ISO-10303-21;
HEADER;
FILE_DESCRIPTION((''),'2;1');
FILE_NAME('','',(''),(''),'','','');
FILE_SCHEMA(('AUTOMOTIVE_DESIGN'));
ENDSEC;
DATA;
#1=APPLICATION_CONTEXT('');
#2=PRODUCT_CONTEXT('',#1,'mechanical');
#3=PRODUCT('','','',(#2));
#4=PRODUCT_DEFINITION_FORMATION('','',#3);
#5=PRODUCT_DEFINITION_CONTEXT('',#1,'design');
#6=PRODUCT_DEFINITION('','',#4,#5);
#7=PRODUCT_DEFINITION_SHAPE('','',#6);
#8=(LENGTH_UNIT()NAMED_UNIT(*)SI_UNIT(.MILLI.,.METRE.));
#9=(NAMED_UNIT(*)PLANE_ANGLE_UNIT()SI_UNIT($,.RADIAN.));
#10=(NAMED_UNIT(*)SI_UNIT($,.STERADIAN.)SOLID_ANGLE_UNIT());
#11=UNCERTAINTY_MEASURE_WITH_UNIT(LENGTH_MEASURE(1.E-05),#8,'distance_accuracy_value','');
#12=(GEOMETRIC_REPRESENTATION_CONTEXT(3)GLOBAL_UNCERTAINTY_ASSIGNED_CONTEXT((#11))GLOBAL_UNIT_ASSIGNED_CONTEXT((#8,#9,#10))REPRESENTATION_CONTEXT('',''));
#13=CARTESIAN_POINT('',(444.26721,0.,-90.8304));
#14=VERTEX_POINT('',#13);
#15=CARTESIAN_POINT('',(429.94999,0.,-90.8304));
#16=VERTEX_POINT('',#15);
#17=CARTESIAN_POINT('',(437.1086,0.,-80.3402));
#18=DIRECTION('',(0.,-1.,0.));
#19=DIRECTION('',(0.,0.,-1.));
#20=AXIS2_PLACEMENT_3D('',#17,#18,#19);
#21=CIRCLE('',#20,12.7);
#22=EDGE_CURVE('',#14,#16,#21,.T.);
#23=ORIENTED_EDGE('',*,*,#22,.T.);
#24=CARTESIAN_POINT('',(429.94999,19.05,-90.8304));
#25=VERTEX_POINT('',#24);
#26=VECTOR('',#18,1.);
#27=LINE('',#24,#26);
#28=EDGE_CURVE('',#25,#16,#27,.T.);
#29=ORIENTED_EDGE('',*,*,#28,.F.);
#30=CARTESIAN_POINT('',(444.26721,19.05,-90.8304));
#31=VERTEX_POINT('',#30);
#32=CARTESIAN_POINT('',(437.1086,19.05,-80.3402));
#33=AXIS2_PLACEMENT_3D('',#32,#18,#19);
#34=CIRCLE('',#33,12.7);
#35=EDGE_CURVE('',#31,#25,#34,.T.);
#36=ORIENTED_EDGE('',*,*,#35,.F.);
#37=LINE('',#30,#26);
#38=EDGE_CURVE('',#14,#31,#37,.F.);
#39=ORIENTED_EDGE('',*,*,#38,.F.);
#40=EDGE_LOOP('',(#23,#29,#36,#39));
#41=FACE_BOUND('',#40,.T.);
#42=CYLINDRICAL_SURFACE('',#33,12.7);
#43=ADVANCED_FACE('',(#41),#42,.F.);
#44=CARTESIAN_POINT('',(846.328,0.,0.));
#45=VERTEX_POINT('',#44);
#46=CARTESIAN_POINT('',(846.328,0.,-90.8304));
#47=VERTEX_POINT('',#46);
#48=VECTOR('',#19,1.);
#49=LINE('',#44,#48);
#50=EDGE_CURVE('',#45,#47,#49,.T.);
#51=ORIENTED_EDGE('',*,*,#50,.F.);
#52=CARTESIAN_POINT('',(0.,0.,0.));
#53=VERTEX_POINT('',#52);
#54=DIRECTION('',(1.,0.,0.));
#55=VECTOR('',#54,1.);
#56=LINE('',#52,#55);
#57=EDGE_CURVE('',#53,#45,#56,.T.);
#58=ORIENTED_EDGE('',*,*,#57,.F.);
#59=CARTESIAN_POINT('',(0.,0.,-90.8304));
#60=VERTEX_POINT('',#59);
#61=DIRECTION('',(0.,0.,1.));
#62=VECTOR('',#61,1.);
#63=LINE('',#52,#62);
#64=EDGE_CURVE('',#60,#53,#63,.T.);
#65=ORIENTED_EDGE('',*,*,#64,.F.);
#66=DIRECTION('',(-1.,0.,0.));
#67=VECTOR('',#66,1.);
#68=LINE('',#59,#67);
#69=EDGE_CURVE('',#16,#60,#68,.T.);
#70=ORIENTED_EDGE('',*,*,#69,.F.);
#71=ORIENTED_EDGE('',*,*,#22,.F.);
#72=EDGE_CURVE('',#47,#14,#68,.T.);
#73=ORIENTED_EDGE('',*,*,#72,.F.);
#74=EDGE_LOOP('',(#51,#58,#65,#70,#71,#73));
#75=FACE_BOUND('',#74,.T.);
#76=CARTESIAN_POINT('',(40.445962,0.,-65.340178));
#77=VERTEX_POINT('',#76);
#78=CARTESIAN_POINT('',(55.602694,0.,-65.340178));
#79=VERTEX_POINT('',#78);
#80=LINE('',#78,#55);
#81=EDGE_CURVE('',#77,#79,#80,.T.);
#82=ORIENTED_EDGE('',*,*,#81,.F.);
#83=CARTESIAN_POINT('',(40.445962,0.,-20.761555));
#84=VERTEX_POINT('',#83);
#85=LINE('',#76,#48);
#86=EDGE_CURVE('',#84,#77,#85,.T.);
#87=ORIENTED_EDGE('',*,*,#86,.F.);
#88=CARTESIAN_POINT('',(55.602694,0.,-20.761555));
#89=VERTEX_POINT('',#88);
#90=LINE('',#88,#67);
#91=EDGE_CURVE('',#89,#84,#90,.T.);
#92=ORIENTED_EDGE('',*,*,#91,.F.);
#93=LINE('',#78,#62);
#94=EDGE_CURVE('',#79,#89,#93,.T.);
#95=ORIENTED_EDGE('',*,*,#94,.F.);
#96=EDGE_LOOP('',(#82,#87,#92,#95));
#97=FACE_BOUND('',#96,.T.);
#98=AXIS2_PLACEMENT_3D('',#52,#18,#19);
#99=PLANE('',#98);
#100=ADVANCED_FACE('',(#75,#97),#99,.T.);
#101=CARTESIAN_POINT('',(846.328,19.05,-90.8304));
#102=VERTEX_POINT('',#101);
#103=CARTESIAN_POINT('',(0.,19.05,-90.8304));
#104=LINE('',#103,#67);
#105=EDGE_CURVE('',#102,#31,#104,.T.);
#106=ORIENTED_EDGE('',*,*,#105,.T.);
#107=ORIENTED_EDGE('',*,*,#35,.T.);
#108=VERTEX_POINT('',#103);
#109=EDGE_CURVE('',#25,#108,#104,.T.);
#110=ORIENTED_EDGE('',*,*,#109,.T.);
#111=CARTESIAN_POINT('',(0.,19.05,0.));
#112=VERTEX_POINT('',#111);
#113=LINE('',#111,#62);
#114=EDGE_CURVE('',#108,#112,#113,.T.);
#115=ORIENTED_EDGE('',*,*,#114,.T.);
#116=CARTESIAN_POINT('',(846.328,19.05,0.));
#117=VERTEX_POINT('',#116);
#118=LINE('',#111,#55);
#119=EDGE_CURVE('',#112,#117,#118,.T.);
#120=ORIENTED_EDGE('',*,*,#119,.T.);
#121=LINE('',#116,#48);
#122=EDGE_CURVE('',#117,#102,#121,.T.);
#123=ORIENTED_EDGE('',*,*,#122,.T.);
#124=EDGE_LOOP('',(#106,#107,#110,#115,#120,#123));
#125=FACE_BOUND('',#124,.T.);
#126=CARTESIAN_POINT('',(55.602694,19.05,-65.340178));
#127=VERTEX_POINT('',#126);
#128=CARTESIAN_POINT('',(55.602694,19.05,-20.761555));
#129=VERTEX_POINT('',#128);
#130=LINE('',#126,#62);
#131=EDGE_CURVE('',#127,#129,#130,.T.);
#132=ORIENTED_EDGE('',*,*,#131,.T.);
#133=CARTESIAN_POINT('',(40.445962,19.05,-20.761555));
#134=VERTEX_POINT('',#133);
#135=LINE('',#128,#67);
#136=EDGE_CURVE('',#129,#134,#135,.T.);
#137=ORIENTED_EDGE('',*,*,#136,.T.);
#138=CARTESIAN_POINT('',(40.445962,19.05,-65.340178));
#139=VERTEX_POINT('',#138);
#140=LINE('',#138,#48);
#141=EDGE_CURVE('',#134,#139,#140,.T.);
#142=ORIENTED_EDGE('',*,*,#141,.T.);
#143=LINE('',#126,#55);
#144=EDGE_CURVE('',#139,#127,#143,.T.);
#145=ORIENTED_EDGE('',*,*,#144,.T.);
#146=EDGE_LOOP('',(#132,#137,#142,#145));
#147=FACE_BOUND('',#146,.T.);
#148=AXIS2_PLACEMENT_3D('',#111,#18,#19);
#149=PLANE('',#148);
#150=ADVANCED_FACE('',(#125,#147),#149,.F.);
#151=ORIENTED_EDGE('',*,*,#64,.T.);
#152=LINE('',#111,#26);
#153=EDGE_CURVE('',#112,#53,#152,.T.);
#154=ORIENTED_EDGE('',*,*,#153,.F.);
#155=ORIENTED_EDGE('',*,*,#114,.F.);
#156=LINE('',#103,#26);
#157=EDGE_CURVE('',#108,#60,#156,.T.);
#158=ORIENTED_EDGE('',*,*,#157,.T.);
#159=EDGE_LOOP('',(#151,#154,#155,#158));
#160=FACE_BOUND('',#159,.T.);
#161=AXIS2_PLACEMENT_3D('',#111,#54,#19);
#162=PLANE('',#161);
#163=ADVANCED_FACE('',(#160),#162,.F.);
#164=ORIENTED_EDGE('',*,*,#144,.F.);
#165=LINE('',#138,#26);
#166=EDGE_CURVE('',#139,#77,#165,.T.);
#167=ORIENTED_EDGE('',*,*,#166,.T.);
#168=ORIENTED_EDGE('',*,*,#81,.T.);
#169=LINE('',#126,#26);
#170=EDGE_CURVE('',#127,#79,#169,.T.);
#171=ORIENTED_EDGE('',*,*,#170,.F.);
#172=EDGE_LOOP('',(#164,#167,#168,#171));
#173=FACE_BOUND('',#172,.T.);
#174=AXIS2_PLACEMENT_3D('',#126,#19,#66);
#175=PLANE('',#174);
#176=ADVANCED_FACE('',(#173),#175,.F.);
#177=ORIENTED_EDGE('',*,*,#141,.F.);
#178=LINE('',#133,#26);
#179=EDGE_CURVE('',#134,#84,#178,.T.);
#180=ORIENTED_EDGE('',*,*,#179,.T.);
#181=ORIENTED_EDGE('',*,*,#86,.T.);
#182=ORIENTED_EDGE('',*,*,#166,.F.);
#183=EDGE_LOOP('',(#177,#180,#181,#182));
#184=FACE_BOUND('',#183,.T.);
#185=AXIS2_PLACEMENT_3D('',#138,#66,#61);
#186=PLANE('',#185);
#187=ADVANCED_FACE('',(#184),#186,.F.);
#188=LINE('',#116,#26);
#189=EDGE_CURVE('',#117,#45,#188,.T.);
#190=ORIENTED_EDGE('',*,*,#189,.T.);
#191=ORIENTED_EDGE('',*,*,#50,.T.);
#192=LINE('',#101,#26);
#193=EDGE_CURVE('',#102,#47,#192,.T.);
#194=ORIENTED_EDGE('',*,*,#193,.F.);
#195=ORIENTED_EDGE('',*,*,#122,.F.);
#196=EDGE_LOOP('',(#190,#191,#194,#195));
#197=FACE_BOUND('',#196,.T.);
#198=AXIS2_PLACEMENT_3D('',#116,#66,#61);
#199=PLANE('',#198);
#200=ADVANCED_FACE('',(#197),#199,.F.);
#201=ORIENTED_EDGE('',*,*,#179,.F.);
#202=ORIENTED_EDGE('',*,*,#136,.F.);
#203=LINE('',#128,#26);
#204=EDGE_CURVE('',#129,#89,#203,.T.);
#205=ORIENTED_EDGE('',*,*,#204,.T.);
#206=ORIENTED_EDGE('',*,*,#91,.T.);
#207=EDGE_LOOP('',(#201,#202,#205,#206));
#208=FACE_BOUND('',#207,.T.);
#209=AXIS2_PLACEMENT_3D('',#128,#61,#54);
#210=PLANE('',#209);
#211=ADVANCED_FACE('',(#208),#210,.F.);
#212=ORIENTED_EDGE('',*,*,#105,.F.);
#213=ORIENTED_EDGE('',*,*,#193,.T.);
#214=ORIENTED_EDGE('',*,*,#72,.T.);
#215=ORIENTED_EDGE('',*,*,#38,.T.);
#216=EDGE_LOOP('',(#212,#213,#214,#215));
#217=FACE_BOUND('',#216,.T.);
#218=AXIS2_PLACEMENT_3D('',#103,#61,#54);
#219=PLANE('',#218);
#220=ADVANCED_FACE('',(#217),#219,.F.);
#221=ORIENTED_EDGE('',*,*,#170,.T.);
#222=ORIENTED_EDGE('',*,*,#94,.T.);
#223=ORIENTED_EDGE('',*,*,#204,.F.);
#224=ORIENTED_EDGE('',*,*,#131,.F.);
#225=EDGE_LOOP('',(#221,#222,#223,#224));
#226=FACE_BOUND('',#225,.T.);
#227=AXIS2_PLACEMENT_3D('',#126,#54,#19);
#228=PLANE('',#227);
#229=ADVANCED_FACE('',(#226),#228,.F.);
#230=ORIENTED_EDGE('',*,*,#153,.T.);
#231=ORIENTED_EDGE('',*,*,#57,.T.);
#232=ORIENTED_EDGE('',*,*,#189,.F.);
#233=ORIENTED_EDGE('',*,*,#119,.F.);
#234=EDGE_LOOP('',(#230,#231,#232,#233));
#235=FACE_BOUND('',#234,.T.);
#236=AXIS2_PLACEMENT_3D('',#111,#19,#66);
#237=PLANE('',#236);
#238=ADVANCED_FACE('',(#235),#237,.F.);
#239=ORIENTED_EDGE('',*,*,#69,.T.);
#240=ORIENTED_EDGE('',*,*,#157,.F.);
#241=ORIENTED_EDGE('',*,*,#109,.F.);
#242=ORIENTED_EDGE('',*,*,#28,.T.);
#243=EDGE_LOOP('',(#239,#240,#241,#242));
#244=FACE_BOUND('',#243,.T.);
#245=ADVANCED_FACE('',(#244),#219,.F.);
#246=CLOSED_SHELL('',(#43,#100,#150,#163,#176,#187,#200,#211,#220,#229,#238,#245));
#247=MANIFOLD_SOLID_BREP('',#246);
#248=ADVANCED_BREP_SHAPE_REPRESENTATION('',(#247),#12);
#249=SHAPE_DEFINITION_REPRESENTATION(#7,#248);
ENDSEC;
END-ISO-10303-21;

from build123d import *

# Parameters (mm, degrees)
SKETCH1_W           = 846.328
SKETCH1_H           = 90.8304
BOSS_EXTRUDE1_DEPTH = 19.05
SKETCH2_R           = 12.7
CUT_EXTRUDE4_DEPTH  = 20.05
SKETCH4_W           = 15.156731747
SKETCH4_H           = 44.578622786
CUT_EXTRUDE5_DEPTH  = 20.05


with BuildPart() as part:
    # Sketch1 → Boss-Extrude1 (new body)
    with BuildSketch(Plane(origin=(0, 0, 0), x_dir=(1, 0, 0), z_dir=(0, 1, 0))):
        with Locations((423.164, 45.4152)):
            Rectangle(SKETCH1_W, SKETCH1_H)
    extrude(amount=BOSS_EXTRUDE1_DEPTH)

    # Sketch2 → Cut-Extrude4 (cut, through all)
    with BuildSketch(Plane.XZ):
        with Locations((437.1086, -80.3402)):
            Circle(SKETCH2_R)
    extrude(amount=-CUT_EXTRUDE4_DEPTH, mode=Mode.SUBTRACT)

    # Sketch4 → Cut-Extrude5 (cut, through all)
    with BuildSketch(Plane.XZ):
        with Locations((48.024327766, -43.050866134)):
            Rectangle(SKETCH4_W, SKETCH4_H)
    extrude(amount=-CUT_EXTRUDE5_DEPTH, mode=Mode.SUBTRACT)


solid = part.part
